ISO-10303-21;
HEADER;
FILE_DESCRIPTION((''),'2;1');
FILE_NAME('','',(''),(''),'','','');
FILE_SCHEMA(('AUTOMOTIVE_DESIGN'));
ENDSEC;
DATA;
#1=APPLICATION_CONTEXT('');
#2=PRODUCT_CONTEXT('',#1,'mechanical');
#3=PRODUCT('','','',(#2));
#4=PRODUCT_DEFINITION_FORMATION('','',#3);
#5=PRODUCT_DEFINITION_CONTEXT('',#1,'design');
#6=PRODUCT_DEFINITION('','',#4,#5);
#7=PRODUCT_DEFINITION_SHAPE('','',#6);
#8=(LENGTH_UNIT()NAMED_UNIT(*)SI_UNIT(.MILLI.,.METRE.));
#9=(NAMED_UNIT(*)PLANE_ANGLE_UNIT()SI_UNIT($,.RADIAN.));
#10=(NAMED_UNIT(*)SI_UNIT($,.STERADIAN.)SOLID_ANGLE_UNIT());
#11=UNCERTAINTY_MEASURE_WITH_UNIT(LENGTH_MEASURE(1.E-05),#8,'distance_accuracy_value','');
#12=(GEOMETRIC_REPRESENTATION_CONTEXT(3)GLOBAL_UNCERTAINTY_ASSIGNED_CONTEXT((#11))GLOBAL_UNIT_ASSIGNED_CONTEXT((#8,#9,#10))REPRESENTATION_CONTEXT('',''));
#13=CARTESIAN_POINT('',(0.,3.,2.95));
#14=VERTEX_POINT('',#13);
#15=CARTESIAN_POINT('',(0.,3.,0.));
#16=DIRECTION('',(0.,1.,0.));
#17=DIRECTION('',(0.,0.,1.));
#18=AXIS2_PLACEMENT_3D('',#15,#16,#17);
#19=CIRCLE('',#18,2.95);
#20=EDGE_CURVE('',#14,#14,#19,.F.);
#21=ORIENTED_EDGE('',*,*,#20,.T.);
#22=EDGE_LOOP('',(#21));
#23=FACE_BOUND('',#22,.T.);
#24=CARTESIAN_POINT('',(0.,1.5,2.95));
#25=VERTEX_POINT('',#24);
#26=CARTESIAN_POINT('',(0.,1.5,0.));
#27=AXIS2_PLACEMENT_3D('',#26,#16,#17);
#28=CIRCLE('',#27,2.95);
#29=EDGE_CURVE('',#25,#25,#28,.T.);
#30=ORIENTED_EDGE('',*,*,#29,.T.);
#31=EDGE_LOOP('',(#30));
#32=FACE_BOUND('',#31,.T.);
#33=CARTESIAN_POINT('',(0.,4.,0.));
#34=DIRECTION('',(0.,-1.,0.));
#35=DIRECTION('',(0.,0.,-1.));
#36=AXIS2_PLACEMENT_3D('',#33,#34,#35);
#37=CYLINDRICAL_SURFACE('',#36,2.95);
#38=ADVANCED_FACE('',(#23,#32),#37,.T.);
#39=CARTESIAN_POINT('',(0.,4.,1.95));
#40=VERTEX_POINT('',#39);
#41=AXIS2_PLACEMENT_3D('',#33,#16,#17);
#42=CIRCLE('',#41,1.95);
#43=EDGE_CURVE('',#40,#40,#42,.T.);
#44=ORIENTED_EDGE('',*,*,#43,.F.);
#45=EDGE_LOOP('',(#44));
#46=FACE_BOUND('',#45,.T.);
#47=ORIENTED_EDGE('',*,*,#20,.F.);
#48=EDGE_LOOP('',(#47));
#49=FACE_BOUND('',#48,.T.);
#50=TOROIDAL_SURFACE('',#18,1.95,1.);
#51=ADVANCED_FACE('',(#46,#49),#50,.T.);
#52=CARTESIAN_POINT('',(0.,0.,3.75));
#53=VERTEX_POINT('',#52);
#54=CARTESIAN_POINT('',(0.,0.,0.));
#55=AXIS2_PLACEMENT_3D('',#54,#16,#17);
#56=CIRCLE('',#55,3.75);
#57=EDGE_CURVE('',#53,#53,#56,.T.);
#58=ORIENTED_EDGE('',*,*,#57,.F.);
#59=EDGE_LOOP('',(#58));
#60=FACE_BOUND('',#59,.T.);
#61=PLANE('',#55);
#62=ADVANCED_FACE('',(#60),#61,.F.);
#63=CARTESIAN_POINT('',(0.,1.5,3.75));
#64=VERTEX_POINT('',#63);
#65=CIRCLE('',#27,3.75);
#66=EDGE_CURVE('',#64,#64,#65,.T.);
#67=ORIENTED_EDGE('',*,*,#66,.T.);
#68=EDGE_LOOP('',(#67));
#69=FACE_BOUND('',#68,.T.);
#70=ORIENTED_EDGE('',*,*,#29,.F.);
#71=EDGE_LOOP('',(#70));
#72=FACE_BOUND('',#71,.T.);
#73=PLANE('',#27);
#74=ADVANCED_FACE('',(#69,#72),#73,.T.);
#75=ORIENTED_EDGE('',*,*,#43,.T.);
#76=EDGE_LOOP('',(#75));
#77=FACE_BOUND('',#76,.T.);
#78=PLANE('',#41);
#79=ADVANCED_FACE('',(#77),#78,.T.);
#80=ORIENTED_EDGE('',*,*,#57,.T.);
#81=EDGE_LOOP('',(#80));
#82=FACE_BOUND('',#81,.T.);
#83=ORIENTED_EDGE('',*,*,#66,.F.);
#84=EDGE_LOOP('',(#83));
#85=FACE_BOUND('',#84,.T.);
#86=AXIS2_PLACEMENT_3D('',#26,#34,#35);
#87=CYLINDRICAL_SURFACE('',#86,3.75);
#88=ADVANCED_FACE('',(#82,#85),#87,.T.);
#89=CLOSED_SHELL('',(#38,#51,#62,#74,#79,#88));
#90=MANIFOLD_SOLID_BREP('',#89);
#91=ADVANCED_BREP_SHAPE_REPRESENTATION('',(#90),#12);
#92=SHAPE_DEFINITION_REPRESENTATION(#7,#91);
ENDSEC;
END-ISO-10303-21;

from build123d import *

# Parameters (mm, degrees)
SKETCH_1_R      = 3.75
EXTRUDE_1_DEPTH = 1.5
SKETCH_2_R      = 2.95
EXTRUDE_2_DEPTH = 2.5
FILLET_1_R      = 1


with BuildPart() as part:
    # 草图1 → 凸台-拉伸1 (new body)
    with BuildSketch(Plane(origin=(0, 0, 0), x_dir=(1, 0, 0), z_dir=(0, 1, 0))):
        with Locations(Location((0, 0, 0), (0, 0, 270))):
            Circle(SKETCH_1_R)
    extrude(amount=EXTRUDE_1_DEPTH)

    # 草图2 → 凸台-拉伸2 (add)
    with BuildSketch(Plane(origin=(0, 1.5, 0), x_dir=(1, 0, 0), z_dir=(0, 1, 0))):
        with Locations(Location((0, 0, 0), (0, 0, 270))):
            Circle(SKETCH_2_R)
    extrude(amount=EXTRUDE_2_DEPTH)

    # 圆角1
    fillet_1_edges = [part.edges().sort_by_distance(p)[0] for p in [
        (0, 4, -2.95),
    ]]
    fillet(fillet_1_edges, radius=FILLET_1_R)


solid = part.part
